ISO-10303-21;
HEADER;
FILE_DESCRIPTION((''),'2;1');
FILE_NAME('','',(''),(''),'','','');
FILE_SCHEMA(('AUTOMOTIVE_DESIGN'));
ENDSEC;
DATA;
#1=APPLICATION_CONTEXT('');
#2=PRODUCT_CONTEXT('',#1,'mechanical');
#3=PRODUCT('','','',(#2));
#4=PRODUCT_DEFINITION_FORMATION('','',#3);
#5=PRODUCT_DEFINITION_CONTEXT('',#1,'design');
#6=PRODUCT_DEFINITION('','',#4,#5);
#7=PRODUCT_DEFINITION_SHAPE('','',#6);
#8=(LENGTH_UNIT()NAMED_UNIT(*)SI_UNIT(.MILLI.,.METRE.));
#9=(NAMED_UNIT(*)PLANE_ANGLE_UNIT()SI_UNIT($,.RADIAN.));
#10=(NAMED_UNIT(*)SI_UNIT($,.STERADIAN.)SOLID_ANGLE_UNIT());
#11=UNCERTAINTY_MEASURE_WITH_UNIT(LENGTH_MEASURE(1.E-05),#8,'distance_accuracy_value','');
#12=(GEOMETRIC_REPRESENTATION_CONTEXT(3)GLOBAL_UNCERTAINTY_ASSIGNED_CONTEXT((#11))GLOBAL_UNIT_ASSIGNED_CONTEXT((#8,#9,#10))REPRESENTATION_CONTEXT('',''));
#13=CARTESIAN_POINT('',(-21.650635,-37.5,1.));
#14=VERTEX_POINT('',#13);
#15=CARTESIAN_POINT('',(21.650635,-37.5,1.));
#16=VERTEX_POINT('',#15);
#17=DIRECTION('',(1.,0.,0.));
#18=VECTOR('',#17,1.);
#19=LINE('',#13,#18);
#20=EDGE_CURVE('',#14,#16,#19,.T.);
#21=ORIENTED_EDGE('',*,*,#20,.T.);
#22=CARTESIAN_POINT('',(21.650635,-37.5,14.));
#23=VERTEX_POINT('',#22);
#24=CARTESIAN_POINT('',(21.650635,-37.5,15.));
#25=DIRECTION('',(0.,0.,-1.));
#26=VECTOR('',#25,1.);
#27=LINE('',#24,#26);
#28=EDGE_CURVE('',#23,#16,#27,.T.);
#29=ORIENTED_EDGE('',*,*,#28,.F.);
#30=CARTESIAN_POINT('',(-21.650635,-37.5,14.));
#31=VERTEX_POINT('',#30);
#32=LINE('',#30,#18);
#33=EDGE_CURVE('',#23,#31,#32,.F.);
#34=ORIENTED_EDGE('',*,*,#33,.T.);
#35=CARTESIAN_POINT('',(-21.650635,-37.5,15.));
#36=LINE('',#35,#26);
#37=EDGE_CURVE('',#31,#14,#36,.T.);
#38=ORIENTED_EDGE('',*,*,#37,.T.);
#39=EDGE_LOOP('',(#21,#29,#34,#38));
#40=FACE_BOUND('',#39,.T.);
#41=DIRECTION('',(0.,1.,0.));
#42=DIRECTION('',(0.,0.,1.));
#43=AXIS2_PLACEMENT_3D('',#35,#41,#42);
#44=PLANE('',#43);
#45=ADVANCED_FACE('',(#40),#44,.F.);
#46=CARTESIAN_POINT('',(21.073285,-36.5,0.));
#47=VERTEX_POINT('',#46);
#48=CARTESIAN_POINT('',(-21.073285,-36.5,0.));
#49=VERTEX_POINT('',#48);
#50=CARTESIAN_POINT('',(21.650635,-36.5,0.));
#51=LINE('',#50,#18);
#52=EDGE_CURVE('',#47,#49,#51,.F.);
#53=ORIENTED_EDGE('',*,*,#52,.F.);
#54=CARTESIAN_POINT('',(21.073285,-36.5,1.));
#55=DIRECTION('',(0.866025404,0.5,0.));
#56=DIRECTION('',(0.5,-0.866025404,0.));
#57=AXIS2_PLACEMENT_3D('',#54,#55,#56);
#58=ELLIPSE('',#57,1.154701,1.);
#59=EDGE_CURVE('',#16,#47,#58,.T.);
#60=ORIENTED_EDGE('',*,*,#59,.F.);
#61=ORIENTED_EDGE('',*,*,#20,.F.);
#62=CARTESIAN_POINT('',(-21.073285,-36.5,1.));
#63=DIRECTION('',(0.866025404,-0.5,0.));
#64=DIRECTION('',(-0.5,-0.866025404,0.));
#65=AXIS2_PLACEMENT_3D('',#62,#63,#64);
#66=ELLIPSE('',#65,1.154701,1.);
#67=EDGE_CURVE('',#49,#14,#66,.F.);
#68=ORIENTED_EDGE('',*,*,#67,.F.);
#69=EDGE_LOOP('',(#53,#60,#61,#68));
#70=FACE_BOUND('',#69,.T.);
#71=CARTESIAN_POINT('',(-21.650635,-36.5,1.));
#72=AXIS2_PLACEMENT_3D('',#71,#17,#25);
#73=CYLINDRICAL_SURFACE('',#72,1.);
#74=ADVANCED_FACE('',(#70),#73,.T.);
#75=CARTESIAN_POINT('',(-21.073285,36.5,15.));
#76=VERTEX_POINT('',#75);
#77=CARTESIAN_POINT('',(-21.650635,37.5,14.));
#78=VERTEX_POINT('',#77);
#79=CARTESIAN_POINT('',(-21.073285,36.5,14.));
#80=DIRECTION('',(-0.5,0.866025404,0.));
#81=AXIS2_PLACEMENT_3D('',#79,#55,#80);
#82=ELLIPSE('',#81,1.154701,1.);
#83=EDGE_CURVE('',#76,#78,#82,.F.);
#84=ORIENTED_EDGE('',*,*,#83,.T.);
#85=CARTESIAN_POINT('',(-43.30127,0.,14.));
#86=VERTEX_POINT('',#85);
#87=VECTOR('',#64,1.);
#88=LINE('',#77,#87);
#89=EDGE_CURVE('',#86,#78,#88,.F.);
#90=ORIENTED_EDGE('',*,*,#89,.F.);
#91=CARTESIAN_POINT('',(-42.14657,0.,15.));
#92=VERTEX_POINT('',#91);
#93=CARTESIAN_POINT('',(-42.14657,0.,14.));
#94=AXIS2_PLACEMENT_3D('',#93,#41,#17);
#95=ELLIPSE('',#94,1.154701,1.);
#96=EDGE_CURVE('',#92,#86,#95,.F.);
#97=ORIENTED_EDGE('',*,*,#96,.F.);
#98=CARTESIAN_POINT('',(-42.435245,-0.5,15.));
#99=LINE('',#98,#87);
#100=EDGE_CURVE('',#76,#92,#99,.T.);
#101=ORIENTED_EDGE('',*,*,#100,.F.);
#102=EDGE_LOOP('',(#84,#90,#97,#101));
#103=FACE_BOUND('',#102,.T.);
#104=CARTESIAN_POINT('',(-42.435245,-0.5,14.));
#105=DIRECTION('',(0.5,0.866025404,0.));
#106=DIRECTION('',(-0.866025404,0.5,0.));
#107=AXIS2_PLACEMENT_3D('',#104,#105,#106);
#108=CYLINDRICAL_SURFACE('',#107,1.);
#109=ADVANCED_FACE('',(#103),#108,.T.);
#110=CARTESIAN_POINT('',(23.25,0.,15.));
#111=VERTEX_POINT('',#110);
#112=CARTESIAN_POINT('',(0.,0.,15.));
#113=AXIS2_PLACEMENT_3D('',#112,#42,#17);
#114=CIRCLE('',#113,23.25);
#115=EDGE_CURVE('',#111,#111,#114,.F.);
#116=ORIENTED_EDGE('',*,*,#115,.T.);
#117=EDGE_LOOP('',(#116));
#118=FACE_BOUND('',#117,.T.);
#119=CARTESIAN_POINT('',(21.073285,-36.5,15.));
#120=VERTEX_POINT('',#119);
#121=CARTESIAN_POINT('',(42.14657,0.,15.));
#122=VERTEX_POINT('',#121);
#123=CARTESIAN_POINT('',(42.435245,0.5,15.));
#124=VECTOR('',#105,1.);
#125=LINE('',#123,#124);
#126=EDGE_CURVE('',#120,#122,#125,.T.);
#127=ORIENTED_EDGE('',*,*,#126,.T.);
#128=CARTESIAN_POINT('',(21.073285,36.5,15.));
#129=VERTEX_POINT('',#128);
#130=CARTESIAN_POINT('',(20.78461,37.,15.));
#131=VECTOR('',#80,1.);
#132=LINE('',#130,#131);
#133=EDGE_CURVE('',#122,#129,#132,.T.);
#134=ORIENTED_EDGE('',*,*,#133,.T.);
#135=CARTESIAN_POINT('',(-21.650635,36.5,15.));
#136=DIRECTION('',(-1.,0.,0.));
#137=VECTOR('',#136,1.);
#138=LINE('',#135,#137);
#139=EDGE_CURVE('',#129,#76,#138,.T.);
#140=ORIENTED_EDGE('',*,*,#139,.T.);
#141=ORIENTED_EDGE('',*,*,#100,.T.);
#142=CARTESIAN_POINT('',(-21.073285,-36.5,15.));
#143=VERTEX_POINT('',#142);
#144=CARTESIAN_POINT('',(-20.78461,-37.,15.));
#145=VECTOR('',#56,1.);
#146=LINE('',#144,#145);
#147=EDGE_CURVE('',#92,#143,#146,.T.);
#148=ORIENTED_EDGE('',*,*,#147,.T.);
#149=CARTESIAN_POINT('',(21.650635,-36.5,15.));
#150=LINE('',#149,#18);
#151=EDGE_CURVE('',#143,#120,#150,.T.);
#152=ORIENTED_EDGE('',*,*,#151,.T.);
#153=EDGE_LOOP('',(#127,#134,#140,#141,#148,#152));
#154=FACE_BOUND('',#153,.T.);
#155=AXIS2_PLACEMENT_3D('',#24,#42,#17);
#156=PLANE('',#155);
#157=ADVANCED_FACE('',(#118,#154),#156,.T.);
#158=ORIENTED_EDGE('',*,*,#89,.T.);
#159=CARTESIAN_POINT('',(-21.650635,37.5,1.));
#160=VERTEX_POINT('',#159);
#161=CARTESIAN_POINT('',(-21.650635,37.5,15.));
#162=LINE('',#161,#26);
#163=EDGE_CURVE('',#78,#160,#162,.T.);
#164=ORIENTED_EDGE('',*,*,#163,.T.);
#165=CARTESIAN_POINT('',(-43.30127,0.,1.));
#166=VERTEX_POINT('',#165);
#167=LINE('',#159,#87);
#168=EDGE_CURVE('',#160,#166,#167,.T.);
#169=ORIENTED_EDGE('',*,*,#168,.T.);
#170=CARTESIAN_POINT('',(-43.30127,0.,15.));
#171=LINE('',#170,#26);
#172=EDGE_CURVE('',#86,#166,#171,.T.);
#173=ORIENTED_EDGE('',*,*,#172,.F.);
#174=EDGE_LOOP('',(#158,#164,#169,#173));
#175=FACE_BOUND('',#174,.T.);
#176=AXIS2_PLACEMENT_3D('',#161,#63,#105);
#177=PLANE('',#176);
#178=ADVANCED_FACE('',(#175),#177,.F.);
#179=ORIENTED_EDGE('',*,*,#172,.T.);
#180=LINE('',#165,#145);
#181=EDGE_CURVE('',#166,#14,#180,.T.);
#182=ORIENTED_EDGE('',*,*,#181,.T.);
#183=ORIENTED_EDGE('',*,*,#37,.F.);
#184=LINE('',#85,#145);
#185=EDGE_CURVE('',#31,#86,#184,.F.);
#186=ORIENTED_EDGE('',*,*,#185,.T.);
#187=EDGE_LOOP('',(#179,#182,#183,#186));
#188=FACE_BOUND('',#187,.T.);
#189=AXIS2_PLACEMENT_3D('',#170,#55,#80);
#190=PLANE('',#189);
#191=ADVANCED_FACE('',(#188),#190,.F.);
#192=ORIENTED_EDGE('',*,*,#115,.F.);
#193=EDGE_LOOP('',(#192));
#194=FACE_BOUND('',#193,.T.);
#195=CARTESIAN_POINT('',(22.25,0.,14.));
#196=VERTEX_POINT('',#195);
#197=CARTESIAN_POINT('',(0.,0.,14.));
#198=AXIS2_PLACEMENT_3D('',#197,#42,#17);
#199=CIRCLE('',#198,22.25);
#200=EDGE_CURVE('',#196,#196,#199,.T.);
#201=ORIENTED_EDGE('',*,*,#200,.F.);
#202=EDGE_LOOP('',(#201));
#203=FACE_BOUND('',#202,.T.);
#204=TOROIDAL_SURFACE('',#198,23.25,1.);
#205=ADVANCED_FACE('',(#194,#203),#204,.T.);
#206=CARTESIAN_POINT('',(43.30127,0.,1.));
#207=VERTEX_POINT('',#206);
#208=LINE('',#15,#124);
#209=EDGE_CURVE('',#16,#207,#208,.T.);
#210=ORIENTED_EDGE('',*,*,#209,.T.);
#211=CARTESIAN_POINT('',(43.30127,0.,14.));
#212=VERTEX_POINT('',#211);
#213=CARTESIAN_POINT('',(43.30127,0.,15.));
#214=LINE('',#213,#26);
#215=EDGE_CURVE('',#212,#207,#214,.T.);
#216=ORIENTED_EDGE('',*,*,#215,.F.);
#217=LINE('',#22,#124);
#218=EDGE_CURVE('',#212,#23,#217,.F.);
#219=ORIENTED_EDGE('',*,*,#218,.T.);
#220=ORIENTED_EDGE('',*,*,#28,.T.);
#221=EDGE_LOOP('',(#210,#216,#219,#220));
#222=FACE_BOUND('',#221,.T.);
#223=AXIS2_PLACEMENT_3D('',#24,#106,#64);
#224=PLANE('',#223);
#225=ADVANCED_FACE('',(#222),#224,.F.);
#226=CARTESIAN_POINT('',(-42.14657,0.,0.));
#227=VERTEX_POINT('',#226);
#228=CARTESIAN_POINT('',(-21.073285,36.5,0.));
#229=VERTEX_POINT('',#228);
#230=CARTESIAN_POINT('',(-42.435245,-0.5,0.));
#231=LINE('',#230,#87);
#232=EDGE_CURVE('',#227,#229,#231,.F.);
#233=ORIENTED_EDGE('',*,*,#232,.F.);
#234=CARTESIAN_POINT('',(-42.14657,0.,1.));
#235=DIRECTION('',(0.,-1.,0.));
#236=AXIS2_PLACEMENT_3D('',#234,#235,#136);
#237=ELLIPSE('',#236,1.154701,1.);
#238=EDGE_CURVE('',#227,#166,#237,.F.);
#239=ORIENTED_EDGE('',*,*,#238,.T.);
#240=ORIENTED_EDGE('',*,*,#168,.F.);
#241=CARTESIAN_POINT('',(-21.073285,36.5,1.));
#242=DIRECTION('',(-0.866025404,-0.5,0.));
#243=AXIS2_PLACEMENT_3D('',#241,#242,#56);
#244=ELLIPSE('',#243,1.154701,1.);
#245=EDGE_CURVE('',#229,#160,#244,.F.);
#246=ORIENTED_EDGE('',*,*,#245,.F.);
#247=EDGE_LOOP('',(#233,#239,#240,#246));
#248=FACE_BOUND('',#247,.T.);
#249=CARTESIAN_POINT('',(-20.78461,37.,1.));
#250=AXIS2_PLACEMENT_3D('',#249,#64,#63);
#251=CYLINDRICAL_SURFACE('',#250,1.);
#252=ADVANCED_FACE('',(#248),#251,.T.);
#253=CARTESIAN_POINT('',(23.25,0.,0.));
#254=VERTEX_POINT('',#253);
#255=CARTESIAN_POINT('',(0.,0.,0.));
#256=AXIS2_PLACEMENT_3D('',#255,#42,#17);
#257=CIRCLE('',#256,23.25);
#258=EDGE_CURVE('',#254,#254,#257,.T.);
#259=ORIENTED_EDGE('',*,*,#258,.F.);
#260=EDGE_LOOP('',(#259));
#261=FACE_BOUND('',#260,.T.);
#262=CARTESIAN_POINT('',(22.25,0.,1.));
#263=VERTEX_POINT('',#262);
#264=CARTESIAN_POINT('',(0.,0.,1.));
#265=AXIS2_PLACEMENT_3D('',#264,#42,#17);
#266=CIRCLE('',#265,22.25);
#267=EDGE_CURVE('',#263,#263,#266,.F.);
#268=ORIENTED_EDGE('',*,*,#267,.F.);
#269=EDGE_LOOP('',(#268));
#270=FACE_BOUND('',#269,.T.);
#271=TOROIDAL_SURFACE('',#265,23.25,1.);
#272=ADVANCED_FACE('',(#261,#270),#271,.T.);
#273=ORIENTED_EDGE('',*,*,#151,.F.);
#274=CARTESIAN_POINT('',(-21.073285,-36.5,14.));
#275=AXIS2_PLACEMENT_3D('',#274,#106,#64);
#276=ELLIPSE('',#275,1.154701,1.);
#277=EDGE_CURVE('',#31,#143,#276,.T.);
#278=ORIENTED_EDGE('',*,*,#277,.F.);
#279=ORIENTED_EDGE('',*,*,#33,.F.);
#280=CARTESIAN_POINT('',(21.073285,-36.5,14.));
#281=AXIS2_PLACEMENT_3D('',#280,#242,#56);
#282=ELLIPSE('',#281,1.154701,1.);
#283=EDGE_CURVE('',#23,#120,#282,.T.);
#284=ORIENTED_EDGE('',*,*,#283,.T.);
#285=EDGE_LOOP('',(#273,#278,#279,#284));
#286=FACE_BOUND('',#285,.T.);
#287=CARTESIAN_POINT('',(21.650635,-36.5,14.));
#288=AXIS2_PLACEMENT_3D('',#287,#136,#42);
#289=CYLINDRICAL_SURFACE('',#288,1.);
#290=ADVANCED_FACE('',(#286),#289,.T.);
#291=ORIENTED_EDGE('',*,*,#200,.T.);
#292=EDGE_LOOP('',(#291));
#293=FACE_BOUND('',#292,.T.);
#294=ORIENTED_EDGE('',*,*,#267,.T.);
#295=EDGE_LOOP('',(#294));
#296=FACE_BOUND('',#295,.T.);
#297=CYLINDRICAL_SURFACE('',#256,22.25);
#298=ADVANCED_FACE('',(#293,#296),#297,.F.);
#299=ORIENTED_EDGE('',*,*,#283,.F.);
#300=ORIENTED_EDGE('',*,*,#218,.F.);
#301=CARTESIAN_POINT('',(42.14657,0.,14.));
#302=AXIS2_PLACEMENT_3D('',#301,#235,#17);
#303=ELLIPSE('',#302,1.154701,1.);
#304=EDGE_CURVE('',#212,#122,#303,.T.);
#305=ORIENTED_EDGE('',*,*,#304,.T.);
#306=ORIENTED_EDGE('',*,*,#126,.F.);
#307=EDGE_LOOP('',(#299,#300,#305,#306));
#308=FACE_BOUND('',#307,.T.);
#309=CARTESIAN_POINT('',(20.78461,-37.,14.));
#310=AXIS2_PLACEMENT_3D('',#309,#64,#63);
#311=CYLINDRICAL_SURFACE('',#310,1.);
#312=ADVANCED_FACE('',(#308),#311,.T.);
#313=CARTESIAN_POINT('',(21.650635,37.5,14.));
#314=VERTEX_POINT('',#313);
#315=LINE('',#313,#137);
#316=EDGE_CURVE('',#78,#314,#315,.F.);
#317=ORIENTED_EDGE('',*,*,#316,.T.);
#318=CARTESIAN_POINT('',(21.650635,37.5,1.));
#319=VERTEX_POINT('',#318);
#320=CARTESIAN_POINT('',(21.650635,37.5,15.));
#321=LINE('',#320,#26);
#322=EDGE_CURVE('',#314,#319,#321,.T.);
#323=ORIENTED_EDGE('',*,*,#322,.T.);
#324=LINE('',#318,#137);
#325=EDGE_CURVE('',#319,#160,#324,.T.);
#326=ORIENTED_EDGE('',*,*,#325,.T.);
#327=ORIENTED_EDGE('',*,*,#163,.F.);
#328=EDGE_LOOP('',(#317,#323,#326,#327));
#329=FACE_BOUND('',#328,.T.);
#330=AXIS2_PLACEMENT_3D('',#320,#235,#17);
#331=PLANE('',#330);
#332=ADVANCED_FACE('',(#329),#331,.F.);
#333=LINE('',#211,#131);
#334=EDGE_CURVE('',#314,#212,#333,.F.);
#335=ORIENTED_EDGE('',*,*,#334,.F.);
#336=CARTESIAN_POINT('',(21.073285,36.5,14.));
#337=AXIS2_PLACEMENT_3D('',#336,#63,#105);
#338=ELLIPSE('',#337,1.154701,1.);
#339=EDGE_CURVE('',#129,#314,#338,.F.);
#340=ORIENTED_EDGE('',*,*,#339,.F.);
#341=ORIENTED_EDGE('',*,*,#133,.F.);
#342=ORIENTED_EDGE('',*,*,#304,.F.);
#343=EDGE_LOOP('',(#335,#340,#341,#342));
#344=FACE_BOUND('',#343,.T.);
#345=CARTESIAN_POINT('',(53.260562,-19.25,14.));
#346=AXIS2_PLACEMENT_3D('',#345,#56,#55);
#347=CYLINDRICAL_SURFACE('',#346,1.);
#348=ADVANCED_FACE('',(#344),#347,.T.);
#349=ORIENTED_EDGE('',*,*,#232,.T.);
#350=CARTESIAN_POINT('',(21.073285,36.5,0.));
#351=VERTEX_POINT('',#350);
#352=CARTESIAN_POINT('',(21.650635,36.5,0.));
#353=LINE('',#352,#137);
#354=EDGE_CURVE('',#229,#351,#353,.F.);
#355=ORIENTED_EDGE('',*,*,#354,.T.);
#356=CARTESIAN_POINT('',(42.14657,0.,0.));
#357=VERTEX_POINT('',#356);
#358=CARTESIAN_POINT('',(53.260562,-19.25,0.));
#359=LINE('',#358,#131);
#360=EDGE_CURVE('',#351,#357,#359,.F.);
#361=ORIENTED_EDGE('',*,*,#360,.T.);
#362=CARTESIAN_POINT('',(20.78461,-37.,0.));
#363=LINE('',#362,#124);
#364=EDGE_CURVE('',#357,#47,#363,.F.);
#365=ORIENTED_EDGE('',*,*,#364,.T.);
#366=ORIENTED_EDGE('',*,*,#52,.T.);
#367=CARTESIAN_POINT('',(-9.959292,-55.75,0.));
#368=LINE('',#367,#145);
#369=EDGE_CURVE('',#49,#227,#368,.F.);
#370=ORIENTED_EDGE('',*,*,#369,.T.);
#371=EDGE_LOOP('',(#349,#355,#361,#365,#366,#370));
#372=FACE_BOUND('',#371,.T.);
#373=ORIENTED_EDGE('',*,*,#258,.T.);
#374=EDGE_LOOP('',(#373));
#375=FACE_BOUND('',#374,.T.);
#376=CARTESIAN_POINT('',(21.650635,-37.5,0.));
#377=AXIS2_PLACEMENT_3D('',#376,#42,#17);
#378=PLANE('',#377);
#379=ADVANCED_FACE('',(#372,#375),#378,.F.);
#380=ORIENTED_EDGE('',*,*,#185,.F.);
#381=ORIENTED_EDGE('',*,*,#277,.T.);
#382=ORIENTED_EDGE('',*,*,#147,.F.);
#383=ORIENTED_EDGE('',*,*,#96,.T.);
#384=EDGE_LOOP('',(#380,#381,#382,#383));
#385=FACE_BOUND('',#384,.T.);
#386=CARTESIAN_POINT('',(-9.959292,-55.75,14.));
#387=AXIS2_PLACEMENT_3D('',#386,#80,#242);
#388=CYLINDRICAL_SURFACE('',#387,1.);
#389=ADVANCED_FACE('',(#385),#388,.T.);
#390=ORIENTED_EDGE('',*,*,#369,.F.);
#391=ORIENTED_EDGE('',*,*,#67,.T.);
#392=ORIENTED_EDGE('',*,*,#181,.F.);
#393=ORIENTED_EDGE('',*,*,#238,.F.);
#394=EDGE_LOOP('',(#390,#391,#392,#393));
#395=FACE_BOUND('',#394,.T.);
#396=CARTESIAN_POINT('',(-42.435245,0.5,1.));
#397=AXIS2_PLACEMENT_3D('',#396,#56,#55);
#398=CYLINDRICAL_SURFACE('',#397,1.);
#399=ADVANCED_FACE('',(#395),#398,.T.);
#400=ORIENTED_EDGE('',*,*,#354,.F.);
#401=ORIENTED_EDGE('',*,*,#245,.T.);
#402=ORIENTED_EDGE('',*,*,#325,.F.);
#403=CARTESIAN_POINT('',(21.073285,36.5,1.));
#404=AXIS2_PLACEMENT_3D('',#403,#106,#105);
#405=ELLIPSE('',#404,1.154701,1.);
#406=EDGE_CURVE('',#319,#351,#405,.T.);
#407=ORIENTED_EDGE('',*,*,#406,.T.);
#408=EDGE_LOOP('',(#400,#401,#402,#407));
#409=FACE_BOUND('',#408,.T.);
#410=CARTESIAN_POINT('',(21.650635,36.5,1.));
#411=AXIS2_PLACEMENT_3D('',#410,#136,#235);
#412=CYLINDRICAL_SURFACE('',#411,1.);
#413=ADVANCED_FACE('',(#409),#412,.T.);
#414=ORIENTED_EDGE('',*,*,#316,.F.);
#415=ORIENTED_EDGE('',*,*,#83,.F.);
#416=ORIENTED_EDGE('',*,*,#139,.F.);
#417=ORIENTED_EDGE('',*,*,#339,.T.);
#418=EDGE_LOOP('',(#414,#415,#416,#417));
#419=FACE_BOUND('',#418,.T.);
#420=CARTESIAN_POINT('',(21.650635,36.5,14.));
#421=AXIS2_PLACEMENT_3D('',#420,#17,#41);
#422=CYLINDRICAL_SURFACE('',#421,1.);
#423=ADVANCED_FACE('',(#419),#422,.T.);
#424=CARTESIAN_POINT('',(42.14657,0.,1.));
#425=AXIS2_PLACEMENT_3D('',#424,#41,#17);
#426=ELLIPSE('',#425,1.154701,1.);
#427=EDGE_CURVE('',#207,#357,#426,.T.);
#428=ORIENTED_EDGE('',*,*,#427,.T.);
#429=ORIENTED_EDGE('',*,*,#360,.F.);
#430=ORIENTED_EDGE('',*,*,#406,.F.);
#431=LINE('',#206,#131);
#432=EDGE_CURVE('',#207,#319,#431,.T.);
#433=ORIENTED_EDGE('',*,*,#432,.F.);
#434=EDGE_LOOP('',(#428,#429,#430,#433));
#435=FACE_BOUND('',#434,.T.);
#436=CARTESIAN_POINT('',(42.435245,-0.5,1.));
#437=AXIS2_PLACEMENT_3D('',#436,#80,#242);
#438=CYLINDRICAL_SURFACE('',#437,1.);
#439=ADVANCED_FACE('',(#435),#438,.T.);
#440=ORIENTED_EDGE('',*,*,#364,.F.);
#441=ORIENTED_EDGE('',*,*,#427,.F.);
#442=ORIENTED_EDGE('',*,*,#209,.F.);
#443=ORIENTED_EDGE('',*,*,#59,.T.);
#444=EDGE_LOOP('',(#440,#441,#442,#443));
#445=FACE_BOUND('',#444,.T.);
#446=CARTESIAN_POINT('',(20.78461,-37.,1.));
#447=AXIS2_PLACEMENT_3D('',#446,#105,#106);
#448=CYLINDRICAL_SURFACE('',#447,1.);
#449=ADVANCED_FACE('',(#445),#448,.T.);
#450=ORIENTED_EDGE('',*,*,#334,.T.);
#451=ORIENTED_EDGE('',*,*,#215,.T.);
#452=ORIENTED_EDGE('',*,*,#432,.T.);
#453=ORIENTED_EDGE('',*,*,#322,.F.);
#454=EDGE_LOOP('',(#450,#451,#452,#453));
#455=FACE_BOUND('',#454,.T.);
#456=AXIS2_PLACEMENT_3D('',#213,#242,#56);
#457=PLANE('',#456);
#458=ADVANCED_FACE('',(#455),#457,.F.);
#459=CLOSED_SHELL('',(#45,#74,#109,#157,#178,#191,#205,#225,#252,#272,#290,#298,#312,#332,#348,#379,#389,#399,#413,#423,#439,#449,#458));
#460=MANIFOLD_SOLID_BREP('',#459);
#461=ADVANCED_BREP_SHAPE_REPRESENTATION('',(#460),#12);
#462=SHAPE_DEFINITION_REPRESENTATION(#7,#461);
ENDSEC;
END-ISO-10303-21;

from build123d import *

# Parameters (mm, degrees)
EXTRUDE_1_DEPTH     = 15
SKETCH_2_R          = 22.25
CUT_EXTRUDE_2_DEPTH = 60.213596412
FILLET_1_R          = 1


with BuildPart() as part:
    # 草图1 → 拉伸1 (new body)
    with BuildSketch(Plane.XY):
        Polygon((21.650635095, -37.5), (43.301270189, 0), (21.650635095, 37.5), (-21.650635095, 37.5), (-43.301270189, 0), (-21.650635095, -37.5), align=None)
    extrude(amount=EXTRUDE_1_DEPTH)

    # 草图2 → 拉伸2 (cut, through all)
    with BuildSketch(Plane.XY.offset(15)):
        Circle(SKETCH_2_R)
    extrude(amount=-CUT_EXTRUDE_2_DEPTH, mode=Mode.SUBTRACT)

    # 圆角1
    fillet_1_edges = [part.edges().sort_by_distance(p)[0] for p in [
        (32.475952642, 18.75, 15),
        (0, 37.5, 15),
        (-32.475952642, 18.75, 15),
        (-32.475952642, -18.75, 15),
        (-22.25, 0, 0),
        (-22.25, 0, 15),
        (0, -37.5, 15),
        (-32.475952642, -18.75, 0),
        (-32.475952642, 18.75, 0),
        (0, 37.5, 0),
        (32.475952642, -18.75, 15),
        (32.475952642, 18.75, 0),
        (32.475952642, -18.75, 0),
        (0, -37.5, 0),
    ]]
    fillet(fillet_1_edges, radius=FILLET_1_R)


solid = part.part
